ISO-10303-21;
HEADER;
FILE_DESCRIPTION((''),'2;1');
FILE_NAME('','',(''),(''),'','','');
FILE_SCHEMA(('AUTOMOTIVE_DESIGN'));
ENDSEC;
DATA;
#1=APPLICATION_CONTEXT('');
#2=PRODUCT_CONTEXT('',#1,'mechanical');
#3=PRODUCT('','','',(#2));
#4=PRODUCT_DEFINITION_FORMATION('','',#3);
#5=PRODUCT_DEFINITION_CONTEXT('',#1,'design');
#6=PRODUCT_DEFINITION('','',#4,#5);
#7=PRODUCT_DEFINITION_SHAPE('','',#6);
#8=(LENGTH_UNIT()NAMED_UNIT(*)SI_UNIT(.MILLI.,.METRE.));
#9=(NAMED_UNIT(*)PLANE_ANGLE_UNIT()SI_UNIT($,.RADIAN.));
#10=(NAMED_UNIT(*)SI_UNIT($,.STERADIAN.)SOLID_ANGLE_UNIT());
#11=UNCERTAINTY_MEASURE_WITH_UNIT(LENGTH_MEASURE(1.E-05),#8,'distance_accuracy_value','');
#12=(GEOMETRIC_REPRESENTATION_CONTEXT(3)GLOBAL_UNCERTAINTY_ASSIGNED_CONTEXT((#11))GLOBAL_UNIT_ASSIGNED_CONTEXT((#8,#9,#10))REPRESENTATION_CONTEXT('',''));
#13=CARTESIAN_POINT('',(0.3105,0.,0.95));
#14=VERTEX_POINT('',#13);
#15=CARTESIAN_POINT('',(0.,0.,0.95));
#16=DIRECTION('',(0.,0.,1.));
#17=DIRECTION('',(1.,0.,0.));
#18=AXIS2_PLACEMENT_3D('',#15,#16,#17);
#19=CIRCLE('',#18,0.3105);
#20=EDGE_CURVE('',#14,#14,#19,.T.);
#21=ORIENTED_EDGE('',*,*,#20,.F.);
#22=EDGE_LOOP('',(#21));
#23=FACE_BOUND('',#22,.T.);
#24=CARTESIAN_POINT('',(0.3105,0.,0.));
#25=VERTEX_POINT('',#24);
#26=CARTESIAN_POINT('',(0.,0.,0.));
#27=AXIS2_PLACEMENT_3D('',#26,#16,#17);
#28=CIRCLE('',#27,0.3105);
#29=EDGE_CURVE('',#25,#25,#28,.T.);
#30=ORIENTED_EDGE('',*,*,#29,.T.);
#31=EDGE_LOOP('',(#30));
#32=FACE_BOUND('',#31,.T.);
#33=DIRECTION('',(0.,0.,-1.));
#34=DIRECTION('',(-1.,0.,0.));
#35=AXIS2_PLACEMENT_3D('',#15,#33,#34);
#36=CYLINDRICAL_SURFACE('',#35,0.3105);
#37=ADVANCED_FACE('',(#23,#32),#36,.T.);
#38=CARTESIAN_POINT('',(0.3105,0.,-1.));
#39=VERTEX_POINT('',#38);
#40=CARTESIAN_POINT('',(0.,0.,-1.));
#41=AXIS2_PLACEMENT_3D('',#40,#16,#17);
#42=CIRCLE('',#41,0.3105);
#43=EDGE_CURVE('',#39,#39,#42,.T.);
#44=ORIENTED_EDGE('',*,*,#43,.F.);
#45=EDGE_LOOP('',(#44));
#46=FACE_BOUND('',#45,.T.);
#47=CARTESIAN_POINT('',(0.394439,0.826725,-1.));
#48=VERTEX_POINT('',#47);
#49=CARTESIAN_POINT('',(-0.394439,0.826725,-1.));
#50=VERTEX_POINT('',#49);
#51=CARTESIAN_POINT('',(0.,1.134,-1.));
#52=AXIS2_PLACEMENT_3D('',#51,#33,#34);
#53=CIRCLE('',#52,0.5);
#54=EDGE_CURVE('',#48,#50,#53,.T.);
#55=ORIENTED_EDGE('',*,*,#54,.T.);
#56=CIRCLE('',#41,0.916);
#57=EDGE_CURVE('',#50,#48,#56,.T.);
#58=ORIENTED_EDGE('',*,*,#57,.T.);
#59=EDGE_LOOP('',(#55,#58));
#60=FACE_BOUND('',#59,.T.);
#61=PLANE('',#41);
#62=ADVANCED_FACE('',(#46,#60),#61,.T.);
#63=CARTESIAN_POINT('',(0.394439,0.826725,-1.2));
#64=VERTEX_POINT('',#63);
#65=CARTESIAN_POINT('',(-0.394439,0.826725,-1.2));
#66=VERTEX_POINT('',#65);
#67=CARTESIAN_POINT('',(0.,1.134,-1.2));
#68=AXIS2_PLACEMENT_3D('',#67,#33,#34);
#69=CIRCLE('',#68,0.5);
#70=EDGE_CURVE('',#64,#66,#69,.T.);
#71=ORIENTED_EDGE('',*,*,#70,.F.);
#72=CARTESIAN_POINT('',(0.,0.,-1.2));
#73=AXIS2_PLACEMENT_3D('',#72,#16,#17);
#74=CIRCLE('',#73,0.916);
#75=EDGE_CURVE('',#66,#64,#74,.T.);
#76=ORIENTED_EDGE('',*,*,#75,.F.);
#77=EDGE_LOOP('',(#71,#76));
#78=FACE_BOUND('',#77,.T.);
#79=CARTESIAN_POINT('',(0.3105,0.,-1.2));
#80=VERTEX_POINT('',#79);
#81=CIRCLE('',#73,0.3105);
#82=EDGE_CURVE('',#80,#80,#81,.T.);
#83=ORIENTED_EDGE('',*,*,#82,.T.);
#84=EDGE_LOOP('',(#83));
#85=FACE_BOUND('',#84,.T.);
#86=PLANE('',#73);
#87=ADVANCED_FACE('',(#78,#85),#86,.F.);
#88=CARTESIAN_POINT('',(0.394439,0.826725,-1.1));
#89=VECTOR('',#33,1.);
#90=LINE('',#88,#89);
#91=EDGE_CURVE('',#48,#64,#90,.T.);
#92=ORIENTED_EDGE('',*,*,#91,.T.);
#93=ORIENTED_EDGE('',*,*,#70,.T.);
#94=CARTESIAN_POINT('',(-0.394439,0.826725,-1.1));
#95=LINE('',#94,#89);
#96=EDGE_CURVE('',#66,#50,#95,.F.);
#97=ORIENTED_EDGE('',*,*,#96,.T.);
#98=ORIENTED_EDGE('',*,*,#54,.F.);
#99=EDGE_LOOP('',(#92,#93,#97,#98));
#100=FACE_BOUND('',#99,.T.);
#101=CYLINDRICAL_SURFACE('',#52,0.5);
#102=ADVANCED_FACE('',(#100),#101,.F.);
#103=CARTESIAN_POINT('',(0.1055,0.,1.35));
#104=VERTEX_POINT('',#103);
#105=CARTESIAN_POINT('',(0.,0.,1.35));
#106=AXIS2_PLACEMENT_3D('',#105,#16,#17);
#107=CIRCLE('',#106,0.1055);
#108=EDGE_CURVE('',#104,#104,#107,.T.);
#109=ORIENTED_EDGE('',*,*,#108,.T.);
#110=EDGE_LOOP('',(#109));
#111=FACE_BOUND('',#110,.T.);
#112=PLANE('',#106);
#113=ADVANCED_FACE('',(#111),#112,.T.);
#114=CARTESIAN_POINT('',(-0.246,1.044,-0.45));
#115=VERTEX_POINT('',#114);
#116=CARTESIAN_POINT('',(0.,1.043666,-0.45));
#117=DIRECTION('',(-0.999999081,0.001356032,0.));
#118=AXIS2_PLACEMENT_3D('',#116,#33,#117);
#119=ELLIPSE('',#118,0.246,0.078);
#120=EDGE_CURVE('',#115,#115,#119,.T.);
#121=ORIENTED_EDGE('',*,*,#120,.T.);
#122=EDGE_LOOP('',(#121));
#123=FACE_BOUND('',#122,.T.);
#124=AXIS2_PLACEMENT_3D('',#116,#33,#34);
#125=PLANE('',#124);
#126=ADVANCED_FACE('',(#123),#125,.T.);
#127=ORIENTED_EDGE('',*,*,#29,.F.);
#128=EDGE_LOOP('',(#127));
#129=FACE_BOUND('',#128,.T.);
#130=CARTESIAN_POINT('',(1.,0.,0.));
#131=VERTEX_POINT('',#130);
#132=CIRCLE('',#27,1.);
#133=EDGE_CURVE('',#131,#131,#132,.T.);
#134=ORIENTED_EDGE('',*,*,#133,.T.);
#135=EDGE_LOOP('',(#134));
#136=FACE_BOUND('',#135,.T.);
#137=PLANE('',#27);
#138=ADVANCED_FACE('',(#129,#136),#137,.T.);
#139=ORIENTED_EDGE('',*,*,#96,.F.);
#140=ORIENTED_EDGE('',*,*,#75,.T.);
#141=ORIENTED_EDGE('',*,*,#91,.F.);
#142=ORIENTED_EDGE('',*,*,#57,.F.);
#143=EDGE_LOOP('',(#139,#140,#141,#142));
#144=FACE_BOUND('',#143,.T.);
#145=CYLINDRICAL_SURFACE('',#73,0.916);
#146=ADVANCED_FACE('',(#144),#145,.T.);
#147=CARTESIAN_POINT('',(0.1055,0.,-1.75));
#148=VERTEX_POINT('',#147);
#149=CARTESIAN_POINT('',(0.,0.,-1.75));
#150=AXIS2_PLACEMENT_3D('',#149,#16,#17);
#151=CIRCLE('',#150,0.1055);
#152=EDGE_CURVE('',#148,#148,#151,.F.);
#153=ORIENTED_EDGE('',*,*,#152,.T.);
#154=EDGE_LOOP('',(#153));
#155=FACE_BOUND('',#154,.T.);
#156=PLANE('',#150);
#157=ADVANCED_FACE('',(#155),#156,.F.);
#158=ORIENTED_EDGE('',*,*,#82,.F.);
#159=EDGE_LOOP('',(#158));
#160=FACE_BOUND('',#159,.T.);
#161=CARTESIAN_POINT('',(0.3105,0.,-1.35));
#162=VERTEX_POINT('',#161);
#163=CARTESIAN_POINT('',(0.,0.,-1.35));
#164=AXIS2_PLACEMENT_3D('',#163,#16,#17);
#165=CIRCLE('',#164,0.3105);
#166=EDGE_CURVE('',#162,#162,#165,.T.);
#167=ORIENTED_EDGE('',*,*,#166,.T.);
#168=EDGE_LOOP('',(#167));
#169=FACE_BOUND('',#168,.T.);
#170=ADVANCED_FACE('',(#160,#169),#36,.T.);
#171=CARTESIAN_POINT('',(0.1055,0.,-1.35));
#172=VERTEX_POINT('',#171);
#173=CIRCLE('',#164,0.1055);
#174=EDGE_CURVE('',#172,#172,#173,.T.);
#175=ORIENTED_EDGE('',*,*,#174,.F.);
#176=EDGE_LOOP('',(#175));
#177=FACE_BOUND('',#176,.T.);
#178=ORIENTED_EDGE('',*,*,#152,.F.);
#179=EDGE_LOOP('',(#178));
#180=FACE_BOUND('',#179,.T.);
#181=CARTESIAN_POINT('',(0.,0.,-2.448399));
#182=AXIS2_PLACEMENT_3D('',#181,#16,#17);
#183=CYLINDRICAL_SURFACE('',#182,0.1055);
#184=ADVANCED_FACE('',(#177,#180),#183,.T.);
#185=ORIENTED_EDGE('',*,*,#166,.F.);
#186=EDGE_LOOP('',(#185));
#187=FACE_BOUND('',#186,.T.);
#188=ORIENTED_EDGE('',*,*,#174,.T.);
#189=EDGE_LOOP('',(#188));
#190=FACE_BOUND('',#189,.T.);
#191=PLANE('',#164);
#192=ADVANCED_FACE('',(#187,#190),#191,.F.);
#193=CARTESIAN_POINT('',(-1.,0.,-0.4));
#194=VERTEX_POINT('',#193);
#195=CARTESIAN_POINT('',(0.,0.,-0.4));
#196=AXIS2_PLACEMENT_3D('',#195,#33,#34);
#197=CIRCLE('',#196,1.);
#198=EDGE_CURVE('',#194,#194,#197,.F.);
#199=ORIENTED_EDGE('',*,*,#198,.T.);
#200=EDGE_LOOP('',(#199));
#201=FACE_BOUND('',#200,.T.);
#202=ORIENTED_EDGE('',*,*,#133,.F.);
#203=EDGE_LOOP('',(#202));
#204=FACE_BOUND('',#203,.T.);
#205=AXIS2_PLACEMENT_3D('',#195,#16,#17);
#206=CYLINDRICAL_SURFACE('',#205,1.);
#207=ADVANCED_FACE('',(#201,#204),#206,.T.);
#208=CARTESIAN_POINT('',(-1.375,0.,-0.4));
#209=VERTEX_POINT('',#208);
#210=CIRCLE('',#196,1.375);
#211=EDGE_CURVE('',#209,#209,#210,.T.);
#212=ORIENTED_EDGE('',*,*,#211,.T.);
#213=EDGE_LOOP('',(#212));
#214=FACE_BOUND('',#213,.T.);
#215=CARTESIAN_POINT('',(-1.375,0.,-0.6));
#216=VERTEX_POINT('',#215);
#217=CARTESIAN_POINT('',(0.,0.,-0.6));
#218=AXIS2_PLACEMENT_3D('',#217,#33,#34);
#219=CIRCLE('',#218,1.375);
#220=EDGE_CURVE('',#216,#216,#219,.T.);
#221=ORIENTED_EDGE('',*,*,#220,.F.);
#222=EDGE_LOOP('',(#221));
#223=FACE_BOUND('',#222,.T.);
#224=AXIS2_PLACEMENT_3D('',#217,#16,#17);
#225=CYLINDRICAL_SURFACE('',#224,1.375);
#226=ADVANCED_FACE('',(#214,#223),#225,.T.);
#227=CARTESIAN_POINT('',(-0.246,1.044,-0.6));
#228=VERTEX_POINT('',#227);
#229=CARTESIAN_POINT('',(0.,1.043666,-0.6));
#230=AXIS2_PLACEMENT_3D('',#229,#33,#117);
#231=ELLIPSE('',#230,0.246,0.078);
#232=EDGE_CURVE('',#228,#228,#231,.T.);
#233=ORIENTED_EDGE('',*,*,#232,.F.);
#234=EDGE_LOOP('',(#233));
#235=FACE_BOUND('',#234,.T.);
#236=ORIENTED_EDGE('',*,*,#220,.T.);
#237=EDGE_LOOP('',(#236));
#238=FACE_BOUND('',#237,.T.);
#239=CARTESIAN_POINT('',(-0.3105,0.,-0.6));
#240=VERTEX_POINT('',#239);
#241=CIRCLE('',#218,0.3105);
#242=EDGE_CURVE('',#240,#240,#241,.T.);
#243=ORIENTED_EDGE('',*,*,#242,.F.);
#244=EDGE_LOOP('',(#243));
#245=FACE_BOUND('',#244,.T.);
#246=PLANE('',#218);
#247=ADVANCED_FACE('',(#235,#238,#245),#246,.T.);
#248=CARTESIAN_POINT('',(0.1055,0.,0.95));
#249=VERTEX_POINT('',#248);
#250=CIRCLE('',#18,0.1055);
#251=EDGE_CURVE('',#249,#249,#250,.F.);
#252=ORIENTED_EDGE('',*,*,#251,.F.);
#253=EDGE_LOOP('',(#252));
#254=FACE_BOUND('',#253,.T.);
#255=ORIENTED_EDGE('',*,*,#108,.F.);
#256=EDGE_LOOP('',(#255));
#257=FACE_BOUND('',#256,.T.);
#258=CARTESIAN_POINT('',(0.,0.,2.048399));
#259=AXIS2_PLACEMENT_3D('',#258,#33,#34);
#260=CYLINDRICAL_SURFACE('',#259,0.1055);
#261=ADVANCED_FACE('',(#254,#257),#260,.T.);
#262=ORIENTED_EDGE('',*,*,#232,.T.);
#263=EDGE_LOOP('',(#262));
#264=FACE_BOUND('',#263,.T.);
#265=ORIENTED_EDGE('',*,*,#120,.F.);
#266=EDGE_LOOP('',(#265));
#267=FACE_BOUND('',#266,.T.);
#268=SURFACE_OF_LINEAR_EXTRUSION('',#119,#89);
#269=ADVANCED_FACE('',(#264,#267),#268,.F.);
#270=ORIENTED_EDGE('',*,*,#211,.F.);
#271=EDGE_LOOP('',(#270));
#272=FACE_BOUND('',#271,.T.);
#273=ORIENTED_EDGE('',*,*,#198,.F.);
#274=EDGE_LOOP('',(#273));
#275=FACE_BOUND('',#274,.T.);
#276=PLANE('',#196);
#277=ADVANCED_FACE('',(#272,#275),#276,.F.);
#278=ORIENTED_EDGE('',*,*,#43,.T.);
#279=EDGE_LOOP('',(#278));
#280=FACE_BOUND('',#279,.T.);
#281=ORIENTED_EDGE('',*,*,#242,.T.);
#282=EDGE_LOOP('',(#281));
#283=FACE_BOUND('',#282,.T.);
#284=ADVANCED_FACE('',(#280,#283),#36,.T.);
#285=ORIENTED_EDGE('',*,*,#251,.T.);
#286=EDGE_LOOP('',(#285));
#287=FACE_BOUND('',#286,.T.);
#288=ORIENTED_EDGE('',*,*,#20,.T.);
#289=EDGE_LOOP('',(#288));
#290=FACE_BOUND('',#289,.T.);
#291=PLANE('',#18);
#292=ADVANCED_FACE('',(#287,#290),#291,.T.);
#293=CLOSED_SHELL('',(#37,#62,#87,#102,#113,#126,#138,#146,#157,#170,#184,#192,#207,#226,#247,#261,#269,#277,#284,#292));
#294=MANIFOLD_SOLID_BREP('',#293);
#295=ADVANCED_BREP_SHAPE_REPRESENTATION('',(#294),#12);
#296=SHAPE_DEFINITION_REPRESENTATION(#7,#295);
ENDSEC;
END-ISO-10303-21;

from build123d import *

# Parameters (mm, degrees)
SKETCH1_R                = 0.3105
BOSS_EXTRUDE1_DEPTH      = 0.95
BOSS_EXTRUDE1_DEPTH_BACK = 1.35
SKETCH2_R                = 0.1055
BOSS_EXTRUDE2_DEPTH      = 1.35
SKETCH2_2_R              = 0.1055
BOSS_EXTRUDE3_DEPTH      = 1.75
SKETCH3_R                = 1
BOSS_EXTRUDE4_DEPTH      = 0.4
SKETCH4_R                = 1.375
BOSS_EXTRUDE5_DEPTH      = 0.2
BOSS_EXTRUDE6_START      = -1
SKETCH5_R                = 0.916
BOSS_EXTRUDE6_DEPTH      = 0.2
SKETCH6_R                = 0.5
CUT_EXTRUDE1_DEPTH       = 0.2
SKETCH7_RX               = 0.246
SKETCH7_RY               = 0.078
CUT_EXTRUDE2_DEPTH       = 0.15


with BuildPart() as part:
    # Sketch1 → Boss-Extrude1 (new body, two sides)
    with BuildSketch(Plane.XY) as boss_extrude1_sk:
        Circle(SKETCH1_R)
    extrude(amount=BOSS_EXTRUDE1_DEPTH)
    extrude(boss_extrude1_sk.sketch, amount=-BOSS_EXTRUDE1_DEPTH_BACK)

    # Sketch2 → Boss-Extrude2 (add)
    with BuildSketch(Plane.XY):
        Circle(SKETCH2_R)
    extrude(amount=BOSS_EXTRUDE2_DEPTH)

    # Sketch2<2> → Boss-Extrude3 (add)
    with BuildSketch(Plane.XY):
        Circle(SKETCH2_2_R)
    extrude(amount=-BOSS_EXTRUDE3_DEPTH)

    # Sketch3 → Boss-Extrude4 (add)
    with BuildSketch(Plane.XY):
        Circle(SKETCH3_R)
    extrude(amount=-BOSS_EXTRUDE4_DEPTH)

    # Sketch4 → Boss-Extrude5 (add)
    with BuildSketch(Plane(origin=(0, 0, -0.4), x_dir=(-1, 0, 0), z_dir=(0, 0, -1))):
        Circle(SKETCH4_R)
    extrude(amount=BOSS_EXTRUDE5_DEPTH)

    # Sketch5 → Boss-Extrude6 (add)
    with BuildSketch(Plane.XY.offset(BOSS_EXTRUDE6_START)):
        Circle(SKETCH5_R)
    extrude(amount=-BOSS_EXTRUDE6_DEPTH)

    # Sketch6 → Cut-Extrude1 (cut)
    with BuildSketch(Plane(origin=(0, 0, -1.2), x_dir=(-1, 0, 0), z_dir=(0, 0, -1))):
        with Locations((0, 1.134)):
            Circle(SKETCH6_R)
    extrude(amount=-CUT_EXTRUDE1_DEPTH, mode=Mode.SUBTRACT)

    # Sketch7 → Cut-Extrude2 (cut)
    with BuildSketch(Plane(origin=(0, 0, -0.6), x_dir=(-1, 0, 0), z_dir=(0, 0, -1))):
        with Locations(Location((0, 1.043666416), (0, 0, 0.077694932))):
            Ellipse(SKETCH7_RX, SKETCH7_RY)
    extrude(amount=-CUT_EXTRUDE2_DEPTH, mode=Mode.SUBTRACT)


solid = part.part
